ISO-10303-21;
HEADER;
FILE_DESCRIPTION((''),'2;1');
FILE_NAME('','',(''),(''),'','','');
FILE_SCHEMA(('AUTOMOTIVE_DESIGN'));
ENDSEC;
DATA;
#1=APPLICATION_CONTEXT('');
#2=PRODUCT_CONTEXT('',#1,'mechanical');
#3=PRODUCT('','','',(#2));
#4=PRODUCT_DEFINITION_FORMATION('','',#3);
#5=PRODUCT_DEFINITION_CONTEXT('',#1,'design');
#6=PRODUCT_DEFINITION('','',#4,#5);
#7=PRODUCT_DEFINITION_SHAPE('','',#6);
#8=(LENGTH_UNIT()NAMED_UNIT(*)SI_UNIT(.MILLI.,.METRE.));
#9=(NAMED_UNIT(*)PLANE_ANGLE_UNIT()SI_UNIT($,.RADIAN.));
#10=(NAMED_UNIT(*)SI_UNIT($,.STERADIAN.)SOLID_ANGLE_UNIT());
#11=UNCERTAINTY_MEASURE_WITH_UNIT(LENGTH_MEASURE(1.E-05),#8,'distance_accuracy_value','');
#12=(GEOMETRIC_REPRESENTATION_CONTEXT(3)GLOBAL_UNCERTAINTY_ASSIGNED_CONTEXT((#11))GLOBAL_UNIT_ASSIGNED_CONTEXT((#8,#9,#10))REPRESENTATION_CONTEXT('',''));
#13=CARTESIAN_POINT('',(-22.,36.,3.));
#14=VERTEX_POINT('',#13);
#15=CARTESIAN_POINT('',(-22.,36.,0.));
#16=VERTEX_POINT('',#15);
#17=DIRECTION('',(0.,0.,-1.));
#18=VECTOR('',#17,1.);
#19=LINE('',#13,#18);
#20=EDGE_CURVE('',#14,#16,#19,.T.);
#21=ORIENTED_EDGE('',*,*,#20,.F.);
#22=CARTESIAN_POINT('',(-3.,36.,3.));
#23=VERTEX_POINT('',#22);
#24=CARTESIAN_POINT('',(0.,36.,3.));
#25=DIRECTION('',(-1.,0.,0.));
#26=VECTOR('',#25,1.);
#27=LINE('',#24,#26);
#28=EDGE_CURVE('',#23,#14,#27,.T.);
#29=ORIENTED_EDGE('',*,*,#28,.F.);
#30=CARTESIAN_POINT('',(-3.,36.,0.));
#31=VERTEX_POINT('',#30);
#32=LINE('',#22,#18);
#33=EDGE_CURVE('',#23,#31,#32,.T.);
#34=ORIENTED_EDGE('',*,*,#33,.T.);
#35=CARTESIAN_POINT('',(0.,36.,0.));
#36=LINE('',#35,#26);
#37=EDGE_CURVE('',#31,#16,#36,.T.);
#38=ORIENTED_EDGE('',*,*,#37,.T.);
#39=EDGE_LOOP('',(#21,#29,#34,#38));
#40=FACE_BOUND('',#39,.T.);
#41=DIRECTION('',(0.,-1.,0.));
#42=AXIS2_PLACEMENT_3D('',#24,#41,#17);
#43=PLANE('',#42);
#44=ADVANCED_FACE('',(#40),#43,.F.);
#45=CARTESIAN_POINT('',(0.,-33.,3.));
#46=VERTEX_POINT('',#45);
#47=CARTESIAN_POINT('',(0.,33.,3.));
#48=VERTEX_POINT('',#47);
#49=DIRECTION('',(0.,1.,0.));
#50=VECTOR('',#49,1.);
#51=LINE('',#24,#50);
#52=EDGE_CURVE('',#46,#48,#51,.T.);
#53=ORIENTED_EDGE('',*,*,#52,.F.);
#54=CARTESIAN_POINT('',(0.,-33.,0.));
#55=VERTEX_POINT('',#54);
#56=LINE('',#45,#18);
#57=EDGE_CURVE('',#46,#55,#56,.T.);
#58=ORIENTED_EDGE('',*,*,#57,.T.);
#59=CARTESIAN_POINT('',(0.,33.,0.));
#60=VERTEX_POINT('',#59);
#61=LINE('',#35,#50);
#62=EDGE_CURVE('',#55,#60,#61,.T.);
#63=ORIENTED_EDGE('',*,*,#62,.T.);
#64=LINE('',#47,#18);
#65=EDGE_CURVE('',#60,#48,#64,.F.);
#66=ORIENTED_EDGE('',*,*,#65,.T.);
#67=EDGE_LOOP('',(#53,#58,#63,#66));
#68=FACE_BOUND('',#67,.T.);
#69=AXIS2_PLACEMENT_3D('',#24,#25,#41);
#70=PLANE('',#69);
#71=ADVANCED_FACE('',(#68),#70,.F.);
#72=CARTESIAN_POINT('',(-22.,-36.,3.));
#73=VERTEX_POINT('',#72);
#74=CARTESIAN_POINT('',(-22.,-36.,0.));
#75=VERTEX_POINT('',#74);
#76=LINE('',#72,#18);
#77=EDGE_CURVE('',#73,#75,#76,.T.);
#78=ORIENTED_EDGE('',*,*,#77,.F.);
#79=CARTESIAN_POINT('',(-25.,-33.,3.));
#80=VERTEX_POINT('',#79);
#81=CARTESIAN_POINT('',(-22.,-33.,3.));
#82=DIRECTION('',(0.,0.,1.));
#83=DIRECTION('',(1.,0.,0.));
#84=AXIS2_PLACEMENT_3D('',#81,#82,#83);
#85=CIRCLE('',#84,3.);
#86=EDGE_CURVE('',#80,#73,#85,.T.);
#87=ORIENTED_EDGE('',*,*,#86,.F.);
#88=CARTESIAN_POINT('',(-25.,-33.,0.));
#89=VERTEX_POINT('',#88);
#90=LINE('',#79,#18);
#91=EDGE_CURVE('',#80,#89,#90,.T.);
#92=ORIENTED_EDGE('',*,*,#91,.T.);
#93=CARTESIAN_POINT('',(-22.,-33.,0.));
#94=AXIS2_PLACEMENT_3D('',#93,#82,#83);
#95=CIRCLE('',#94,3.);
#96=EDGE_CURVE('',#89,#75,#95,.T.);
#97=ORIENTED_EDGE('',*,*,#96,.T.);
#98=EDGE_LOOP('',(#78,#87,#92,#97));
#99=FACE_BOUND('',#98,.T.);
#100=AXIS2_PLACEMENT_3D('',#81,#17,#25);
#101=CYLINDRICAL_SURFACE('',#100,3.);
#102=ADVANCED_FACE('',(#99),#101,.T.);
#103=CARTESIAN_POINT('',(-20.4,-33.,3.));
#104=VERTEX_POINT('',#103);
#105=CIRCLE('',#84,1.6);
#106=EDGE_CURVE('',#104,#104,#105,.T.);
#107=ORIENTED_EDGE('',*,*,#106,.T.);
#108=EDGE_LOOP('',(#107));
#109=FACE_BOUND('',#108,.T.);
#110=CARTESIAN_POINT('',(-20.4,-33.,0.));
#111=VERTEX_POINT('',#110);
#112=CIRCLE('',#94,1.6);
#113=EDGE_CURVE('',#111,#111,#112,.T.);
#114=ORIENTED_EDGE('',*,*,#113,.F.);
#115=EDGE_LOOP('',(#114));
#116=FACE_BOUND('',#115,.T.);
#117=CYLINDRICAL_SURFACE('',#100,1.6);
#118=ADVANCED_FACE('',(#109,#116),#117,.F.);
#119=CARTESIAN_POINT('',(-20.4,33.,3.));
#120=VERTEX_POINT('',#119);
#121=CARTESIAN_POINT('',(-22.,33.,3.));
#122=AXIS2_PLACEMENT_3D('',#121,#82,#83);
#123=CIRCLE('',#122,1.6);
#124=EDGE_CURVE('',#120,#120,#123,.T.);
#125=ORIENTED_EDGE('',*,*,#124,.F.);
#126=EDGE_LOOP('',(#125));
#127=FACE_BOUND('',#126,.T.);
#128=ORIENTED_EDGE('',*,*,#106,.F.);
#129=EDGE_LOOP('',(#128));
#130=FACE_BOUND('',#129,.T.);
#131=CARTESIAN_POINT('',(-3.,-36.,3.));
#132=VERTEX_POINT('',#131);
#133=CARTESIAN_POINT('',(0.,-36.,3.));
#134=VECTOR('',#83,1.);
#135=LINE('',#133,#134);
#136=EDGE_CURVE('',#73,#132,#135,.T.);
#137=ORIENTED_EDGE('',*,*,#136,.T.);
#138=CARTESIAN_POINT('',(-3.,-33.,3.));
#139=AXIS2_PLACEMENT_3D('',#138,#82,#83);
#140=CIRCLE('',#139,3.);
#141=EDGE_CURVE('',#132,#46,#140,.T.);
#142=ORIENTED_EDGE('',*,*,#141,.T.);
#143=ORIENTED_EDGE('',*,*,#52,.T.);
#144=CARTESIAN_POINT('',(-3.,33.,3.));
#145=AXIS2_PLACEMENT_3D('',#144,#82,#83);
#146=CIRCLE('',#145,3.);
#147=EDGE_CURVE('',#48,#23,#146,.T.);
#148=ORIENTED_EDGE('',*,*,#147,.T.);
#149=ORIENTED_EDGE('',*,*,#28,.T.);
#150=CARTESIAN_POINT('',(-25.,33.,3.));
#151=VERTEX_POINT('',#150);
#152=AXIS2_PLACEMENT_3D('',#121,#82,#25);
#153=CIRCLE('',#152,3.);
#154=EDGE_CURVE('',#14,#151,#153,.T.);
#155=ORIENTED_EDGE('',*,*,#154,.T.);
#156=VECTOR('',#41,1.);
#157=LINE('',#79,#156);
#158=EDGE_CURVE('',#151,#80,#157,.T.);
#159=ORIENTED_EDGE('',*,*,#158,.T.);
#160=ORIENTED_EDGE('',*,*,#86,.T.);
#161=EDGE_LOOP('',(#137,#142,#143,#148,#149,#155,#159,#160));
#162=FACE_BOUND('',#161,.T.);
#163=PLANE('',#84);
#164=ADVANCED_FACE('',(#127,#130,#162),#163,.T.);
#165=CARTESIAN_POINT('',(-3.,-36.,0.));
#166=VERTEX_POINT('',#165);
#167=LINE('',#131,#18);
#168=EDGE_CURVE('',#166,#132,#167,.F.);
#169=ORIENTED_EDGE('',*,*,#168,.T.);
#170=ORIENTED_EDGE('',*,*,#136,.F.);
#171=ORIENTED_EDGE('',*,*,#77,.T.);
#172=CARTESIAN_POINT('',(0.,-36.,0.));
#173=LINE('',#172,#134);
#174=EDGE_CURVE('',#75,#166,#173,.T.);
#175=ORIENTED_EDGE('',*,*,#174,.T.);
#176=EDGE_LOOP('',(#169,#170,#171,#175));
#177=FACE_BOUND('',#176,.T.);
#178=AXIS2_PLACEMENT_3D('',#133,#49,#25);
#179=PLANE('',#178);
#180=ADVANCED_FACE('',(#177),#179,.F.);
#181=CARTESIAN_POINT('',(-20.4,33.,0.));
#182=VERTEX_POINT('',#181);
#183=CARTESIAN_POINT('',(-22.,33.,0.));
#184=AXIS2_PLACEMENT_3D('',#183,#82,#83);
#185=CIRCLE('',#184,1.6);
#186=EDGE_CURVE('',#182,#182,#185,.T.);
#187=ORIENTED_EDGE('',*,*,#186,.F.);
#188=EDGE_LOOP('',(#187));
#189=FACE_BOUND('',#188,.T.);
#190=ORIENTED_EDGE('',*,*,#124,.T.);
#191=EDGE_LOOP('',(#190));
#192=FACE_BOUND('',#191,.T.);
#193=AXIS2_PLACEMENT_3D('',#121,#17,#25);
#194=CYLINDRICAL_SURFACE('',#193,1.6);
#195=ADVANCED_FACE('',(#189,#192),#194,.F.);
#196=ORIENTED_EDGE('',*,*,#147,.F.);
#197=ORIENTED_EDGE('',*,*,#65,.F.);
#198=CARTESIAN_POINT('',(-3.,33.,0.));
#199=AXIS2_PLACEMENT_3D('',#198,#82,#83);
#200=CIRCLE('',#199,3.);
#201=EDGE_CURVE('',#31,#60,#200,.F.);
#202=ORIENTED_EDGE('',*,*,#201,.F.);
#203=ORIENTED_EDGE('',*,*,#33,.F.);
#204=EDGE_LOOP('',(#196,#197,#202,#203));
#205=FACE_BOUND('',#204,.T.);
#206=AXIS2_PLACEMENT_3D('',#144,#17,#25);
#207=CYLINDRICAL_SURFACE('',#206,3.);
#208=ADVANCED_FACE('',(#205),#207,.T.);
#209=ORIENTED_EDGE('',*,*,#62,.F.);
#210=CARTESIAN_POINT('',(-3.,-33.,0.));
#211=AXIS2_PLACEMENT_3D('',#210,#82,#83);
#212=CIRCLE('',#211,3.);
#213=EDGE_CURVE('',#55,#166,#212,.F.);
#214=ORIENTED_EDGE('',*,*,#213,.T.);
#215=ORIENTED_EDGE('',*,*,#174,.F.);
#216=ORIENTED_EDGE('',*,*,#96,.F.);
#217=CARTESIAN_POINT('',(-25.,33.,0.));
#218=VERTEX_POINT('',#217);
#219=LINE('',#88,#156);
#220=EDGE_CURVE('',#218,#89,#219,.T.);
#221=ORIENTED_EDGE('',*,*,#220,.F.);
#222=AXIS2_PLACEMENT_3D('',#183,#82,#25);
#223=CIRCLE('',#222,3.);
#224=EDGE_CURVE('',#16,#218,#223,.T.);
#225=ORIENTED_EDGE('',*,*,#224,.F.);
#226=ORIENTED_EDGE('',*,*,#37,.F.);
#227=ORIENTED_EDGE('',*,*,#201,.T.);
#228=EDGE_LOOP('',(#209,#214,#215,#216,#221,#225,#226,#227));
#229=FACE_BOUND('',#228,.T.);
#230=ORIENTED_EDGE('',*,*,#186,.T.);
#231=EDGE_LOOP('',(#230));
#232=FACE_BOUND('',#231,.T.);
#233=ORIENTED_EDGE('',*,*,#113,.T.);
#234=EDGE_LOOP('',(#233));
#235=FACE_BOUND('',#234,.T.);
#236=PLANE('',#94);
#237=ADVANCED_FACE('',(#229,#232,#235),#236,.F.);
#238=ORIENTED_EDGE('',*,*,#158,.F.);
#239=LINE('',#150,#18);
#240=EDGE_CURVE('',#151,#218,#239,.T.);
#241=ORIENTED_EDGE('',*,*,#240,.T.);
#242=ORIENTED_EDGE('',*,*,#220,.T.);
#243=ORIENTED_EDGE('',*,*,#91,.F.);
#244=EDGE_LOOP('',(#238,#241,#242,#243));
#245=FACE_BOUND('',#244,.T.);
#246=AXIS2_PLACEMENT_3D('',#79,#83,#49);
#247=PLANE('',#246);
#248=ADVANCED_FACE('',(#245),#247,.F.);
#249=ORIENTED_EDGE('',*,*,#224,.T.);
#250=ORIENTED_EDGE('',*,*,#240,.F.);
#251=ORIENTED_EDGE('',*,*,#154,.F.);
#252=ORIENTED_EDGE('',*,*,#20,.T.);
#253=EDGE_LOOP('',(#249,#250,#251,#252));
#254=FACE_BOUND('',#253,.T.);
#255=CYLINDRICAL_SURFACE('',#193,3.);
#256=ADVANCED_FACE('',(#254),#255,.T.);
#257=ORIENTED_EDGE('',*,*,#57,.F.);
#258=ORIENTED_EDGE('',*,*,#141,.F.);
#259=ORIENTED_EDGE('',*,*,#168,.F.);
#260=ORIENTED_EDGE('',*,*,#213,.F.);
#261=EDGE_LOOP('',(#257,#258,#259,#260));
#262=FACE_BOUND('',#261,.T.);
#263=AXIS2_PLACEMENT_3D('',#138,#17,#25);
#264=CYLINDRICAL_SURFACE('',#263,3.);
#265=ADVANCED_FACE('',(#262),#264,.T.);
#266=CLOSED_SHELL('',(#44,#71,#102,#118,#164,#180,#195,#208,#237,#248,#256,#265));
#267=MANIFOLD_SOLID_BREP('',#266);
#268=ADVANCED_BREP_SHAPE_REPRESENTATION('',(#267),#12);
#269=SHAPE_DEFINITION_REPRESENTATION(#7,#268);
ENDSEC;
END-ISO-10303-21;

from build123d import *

# Parameters (mm, degrees)
SKETCH1_R           = 1.6
BOSS_EXTRUDE1_DEPTH = 3
FILLET1_R           = 3


with BuildPart() as part:
    # Sketch1 → Boss-Extrude1 (new body)
    with BuildSketch(Plane.XY):
        with BuildLine():
            Line((0, 36), (0, -36))
            Line((0, -36), (-22, -36))
            ThreePointArc((-22, -36), (-24.121320344, -35.121320344), (-25, -33))
            Line((-25, -33), (-25, 33))
            ThreePointArc((-25, 33), (-24.121320344, 35.121320344), (-22, 36))
            Line((-22, 36), (0, 36))
        make_face()
        with Locations((-22, 33)):
            Circle(SKETCH1_R, mode=Mode.SUBTRACT)
        with Locations((-22, -33)):
            Circle(SKETCH1_R, mode=Mode.SUBTRACT)
    extrude(amount=BOSS_EXTRUDE1_DEPTH)

    # Fillet1
    fillet1_edges = [part.edges().sort_by_distance(p)[0] for p in [
        (0, 36, 1.5),
        (0, -36, 1.5),
    ]]
    fillet(fillet1_edges, radius=FILLET1_R)


solid = part.part
